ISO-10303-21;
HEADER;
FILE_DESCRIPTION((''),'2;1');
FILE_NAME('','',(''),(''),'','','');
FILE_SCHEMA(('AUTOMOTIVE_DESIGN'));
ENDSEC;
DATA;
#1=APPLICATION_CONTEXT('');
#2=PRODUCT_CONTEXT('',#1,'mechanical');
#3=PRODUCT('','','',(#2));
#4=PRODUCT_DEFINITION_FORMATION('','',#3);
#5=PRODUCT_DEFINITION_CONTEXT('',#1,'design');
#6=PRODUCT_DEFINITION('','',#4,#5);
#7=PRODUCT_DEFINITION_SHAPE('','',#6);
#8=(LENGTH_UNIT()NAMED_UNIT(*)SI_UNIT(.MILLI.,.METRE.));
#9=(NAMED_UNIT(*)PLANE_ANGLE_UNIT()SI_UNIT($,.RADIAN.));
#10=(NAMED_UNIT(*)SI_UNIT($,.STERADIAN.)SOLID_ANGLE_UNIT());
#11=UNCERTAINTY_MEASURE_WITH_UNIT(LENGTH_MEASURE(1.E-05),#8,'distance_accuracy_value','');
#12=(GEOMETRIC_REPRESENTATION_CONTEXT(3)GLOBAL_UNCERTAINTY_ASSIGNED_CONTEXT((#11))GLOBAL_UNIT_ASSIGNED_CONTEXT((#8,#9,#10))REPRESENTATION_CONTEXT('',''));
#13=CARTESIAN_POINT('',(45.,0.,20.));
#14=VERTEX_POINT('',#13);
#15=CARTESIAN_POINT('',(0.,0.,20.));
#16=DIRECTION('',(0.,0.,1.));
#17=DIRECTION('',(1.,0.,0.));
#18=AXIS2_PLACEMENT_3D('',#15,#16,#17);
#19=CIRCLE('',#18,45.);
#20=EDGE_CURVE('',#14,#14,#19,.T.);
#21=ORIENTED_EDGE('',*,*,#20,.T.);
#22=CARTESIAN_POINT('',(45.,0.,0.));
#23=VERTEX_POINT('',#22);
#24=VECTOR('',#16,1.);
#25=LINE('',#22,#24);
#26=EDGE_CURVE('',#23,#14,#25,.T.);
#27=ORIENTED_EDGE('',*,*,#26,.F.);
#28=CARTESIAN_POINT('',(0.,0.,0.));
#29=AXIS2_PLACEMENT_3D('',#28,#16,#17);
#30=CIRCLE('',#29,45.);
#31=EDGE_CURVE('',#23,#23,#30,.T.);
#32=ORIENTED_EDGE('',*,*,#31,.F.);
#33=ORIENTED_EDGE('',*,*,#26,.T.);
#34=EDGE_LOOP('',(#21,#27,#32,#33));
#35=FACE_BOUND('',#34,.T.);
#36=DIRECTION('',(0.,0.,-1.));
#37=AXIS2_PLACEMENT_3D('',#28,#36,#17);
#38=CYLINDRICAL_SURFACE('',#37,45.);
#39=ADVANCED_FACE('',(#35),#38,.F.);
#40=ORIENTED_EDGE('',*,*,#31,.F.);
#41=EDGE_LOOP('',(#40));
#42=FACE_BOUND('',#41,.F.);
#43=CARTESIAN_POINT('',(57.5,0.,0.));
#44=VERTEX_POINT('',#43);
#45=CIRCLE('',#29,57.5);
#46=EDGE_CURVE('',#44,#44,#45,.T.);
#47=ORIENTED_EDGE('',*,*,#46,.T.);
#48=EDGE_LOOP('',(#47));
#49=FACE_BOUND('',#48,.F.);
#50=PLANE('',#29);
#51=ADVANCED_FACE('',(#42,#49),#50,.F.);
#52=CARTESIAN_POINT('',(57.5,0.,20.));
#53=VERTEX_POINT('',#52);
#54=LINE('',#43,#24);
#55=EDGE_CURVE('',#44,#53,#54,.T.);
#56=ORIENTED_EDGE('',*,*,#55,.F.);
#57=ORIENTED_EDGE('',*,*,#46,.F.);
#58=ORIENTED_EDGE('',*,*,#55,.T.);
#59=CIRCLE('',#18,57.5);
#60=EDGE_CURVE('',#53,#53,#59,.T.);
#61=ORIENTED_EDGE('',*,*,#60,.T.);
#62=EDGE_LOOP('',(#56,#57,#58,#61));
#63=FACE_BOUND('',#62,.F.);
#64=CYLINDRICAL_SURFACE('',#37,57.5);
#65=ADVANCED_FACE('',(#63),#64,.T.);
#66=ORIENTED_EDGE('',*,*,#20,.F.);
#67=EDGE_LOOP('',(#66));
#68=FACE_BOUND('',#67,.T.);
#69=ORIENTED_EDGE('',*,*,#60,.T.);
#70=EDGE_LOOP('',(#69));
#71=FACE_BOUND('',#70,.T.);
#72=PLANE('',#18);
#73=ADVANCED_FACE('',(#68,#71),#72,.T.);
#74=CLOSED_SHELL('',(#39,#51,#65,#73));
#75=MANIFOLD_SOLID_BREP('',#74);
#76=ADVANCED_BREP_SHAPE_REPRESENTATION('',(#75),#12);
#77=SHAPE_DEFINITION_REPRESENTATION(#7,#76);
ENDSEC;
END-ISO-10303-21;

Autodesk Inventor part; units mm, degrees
ref_plane "YZ Plane" through (0, 0, 0) normal (1, 0, 0) x (0, 1, 0)
ref_plane "XZ Plane" through (0, 0, 0) normal (0, 1, 0) x (-1, 0, 0)
ref_plane "XY Plane" through (0, 0, 0) normal (0, 0, 1) x (1, 0, 0)
sketch "Szkic1" plane through (0, 0, 0) normal (0, 0, 1) x (1, 0, 0)
  circle A0 centre (0, 0) radius 50
  circle A1 centre (0, 0) radius 45
  circle A2 centre (0, 0) radius 57.5
  dimension "d0" = 100
  dimension "d1" = 90
  dimension "d2" = 115
extrude "Wyciągnięcie proste1" add sketch "Szkic1" along normal blind 20 contours A0 | A2
properties part number "kolo_z" material "Tytan"
